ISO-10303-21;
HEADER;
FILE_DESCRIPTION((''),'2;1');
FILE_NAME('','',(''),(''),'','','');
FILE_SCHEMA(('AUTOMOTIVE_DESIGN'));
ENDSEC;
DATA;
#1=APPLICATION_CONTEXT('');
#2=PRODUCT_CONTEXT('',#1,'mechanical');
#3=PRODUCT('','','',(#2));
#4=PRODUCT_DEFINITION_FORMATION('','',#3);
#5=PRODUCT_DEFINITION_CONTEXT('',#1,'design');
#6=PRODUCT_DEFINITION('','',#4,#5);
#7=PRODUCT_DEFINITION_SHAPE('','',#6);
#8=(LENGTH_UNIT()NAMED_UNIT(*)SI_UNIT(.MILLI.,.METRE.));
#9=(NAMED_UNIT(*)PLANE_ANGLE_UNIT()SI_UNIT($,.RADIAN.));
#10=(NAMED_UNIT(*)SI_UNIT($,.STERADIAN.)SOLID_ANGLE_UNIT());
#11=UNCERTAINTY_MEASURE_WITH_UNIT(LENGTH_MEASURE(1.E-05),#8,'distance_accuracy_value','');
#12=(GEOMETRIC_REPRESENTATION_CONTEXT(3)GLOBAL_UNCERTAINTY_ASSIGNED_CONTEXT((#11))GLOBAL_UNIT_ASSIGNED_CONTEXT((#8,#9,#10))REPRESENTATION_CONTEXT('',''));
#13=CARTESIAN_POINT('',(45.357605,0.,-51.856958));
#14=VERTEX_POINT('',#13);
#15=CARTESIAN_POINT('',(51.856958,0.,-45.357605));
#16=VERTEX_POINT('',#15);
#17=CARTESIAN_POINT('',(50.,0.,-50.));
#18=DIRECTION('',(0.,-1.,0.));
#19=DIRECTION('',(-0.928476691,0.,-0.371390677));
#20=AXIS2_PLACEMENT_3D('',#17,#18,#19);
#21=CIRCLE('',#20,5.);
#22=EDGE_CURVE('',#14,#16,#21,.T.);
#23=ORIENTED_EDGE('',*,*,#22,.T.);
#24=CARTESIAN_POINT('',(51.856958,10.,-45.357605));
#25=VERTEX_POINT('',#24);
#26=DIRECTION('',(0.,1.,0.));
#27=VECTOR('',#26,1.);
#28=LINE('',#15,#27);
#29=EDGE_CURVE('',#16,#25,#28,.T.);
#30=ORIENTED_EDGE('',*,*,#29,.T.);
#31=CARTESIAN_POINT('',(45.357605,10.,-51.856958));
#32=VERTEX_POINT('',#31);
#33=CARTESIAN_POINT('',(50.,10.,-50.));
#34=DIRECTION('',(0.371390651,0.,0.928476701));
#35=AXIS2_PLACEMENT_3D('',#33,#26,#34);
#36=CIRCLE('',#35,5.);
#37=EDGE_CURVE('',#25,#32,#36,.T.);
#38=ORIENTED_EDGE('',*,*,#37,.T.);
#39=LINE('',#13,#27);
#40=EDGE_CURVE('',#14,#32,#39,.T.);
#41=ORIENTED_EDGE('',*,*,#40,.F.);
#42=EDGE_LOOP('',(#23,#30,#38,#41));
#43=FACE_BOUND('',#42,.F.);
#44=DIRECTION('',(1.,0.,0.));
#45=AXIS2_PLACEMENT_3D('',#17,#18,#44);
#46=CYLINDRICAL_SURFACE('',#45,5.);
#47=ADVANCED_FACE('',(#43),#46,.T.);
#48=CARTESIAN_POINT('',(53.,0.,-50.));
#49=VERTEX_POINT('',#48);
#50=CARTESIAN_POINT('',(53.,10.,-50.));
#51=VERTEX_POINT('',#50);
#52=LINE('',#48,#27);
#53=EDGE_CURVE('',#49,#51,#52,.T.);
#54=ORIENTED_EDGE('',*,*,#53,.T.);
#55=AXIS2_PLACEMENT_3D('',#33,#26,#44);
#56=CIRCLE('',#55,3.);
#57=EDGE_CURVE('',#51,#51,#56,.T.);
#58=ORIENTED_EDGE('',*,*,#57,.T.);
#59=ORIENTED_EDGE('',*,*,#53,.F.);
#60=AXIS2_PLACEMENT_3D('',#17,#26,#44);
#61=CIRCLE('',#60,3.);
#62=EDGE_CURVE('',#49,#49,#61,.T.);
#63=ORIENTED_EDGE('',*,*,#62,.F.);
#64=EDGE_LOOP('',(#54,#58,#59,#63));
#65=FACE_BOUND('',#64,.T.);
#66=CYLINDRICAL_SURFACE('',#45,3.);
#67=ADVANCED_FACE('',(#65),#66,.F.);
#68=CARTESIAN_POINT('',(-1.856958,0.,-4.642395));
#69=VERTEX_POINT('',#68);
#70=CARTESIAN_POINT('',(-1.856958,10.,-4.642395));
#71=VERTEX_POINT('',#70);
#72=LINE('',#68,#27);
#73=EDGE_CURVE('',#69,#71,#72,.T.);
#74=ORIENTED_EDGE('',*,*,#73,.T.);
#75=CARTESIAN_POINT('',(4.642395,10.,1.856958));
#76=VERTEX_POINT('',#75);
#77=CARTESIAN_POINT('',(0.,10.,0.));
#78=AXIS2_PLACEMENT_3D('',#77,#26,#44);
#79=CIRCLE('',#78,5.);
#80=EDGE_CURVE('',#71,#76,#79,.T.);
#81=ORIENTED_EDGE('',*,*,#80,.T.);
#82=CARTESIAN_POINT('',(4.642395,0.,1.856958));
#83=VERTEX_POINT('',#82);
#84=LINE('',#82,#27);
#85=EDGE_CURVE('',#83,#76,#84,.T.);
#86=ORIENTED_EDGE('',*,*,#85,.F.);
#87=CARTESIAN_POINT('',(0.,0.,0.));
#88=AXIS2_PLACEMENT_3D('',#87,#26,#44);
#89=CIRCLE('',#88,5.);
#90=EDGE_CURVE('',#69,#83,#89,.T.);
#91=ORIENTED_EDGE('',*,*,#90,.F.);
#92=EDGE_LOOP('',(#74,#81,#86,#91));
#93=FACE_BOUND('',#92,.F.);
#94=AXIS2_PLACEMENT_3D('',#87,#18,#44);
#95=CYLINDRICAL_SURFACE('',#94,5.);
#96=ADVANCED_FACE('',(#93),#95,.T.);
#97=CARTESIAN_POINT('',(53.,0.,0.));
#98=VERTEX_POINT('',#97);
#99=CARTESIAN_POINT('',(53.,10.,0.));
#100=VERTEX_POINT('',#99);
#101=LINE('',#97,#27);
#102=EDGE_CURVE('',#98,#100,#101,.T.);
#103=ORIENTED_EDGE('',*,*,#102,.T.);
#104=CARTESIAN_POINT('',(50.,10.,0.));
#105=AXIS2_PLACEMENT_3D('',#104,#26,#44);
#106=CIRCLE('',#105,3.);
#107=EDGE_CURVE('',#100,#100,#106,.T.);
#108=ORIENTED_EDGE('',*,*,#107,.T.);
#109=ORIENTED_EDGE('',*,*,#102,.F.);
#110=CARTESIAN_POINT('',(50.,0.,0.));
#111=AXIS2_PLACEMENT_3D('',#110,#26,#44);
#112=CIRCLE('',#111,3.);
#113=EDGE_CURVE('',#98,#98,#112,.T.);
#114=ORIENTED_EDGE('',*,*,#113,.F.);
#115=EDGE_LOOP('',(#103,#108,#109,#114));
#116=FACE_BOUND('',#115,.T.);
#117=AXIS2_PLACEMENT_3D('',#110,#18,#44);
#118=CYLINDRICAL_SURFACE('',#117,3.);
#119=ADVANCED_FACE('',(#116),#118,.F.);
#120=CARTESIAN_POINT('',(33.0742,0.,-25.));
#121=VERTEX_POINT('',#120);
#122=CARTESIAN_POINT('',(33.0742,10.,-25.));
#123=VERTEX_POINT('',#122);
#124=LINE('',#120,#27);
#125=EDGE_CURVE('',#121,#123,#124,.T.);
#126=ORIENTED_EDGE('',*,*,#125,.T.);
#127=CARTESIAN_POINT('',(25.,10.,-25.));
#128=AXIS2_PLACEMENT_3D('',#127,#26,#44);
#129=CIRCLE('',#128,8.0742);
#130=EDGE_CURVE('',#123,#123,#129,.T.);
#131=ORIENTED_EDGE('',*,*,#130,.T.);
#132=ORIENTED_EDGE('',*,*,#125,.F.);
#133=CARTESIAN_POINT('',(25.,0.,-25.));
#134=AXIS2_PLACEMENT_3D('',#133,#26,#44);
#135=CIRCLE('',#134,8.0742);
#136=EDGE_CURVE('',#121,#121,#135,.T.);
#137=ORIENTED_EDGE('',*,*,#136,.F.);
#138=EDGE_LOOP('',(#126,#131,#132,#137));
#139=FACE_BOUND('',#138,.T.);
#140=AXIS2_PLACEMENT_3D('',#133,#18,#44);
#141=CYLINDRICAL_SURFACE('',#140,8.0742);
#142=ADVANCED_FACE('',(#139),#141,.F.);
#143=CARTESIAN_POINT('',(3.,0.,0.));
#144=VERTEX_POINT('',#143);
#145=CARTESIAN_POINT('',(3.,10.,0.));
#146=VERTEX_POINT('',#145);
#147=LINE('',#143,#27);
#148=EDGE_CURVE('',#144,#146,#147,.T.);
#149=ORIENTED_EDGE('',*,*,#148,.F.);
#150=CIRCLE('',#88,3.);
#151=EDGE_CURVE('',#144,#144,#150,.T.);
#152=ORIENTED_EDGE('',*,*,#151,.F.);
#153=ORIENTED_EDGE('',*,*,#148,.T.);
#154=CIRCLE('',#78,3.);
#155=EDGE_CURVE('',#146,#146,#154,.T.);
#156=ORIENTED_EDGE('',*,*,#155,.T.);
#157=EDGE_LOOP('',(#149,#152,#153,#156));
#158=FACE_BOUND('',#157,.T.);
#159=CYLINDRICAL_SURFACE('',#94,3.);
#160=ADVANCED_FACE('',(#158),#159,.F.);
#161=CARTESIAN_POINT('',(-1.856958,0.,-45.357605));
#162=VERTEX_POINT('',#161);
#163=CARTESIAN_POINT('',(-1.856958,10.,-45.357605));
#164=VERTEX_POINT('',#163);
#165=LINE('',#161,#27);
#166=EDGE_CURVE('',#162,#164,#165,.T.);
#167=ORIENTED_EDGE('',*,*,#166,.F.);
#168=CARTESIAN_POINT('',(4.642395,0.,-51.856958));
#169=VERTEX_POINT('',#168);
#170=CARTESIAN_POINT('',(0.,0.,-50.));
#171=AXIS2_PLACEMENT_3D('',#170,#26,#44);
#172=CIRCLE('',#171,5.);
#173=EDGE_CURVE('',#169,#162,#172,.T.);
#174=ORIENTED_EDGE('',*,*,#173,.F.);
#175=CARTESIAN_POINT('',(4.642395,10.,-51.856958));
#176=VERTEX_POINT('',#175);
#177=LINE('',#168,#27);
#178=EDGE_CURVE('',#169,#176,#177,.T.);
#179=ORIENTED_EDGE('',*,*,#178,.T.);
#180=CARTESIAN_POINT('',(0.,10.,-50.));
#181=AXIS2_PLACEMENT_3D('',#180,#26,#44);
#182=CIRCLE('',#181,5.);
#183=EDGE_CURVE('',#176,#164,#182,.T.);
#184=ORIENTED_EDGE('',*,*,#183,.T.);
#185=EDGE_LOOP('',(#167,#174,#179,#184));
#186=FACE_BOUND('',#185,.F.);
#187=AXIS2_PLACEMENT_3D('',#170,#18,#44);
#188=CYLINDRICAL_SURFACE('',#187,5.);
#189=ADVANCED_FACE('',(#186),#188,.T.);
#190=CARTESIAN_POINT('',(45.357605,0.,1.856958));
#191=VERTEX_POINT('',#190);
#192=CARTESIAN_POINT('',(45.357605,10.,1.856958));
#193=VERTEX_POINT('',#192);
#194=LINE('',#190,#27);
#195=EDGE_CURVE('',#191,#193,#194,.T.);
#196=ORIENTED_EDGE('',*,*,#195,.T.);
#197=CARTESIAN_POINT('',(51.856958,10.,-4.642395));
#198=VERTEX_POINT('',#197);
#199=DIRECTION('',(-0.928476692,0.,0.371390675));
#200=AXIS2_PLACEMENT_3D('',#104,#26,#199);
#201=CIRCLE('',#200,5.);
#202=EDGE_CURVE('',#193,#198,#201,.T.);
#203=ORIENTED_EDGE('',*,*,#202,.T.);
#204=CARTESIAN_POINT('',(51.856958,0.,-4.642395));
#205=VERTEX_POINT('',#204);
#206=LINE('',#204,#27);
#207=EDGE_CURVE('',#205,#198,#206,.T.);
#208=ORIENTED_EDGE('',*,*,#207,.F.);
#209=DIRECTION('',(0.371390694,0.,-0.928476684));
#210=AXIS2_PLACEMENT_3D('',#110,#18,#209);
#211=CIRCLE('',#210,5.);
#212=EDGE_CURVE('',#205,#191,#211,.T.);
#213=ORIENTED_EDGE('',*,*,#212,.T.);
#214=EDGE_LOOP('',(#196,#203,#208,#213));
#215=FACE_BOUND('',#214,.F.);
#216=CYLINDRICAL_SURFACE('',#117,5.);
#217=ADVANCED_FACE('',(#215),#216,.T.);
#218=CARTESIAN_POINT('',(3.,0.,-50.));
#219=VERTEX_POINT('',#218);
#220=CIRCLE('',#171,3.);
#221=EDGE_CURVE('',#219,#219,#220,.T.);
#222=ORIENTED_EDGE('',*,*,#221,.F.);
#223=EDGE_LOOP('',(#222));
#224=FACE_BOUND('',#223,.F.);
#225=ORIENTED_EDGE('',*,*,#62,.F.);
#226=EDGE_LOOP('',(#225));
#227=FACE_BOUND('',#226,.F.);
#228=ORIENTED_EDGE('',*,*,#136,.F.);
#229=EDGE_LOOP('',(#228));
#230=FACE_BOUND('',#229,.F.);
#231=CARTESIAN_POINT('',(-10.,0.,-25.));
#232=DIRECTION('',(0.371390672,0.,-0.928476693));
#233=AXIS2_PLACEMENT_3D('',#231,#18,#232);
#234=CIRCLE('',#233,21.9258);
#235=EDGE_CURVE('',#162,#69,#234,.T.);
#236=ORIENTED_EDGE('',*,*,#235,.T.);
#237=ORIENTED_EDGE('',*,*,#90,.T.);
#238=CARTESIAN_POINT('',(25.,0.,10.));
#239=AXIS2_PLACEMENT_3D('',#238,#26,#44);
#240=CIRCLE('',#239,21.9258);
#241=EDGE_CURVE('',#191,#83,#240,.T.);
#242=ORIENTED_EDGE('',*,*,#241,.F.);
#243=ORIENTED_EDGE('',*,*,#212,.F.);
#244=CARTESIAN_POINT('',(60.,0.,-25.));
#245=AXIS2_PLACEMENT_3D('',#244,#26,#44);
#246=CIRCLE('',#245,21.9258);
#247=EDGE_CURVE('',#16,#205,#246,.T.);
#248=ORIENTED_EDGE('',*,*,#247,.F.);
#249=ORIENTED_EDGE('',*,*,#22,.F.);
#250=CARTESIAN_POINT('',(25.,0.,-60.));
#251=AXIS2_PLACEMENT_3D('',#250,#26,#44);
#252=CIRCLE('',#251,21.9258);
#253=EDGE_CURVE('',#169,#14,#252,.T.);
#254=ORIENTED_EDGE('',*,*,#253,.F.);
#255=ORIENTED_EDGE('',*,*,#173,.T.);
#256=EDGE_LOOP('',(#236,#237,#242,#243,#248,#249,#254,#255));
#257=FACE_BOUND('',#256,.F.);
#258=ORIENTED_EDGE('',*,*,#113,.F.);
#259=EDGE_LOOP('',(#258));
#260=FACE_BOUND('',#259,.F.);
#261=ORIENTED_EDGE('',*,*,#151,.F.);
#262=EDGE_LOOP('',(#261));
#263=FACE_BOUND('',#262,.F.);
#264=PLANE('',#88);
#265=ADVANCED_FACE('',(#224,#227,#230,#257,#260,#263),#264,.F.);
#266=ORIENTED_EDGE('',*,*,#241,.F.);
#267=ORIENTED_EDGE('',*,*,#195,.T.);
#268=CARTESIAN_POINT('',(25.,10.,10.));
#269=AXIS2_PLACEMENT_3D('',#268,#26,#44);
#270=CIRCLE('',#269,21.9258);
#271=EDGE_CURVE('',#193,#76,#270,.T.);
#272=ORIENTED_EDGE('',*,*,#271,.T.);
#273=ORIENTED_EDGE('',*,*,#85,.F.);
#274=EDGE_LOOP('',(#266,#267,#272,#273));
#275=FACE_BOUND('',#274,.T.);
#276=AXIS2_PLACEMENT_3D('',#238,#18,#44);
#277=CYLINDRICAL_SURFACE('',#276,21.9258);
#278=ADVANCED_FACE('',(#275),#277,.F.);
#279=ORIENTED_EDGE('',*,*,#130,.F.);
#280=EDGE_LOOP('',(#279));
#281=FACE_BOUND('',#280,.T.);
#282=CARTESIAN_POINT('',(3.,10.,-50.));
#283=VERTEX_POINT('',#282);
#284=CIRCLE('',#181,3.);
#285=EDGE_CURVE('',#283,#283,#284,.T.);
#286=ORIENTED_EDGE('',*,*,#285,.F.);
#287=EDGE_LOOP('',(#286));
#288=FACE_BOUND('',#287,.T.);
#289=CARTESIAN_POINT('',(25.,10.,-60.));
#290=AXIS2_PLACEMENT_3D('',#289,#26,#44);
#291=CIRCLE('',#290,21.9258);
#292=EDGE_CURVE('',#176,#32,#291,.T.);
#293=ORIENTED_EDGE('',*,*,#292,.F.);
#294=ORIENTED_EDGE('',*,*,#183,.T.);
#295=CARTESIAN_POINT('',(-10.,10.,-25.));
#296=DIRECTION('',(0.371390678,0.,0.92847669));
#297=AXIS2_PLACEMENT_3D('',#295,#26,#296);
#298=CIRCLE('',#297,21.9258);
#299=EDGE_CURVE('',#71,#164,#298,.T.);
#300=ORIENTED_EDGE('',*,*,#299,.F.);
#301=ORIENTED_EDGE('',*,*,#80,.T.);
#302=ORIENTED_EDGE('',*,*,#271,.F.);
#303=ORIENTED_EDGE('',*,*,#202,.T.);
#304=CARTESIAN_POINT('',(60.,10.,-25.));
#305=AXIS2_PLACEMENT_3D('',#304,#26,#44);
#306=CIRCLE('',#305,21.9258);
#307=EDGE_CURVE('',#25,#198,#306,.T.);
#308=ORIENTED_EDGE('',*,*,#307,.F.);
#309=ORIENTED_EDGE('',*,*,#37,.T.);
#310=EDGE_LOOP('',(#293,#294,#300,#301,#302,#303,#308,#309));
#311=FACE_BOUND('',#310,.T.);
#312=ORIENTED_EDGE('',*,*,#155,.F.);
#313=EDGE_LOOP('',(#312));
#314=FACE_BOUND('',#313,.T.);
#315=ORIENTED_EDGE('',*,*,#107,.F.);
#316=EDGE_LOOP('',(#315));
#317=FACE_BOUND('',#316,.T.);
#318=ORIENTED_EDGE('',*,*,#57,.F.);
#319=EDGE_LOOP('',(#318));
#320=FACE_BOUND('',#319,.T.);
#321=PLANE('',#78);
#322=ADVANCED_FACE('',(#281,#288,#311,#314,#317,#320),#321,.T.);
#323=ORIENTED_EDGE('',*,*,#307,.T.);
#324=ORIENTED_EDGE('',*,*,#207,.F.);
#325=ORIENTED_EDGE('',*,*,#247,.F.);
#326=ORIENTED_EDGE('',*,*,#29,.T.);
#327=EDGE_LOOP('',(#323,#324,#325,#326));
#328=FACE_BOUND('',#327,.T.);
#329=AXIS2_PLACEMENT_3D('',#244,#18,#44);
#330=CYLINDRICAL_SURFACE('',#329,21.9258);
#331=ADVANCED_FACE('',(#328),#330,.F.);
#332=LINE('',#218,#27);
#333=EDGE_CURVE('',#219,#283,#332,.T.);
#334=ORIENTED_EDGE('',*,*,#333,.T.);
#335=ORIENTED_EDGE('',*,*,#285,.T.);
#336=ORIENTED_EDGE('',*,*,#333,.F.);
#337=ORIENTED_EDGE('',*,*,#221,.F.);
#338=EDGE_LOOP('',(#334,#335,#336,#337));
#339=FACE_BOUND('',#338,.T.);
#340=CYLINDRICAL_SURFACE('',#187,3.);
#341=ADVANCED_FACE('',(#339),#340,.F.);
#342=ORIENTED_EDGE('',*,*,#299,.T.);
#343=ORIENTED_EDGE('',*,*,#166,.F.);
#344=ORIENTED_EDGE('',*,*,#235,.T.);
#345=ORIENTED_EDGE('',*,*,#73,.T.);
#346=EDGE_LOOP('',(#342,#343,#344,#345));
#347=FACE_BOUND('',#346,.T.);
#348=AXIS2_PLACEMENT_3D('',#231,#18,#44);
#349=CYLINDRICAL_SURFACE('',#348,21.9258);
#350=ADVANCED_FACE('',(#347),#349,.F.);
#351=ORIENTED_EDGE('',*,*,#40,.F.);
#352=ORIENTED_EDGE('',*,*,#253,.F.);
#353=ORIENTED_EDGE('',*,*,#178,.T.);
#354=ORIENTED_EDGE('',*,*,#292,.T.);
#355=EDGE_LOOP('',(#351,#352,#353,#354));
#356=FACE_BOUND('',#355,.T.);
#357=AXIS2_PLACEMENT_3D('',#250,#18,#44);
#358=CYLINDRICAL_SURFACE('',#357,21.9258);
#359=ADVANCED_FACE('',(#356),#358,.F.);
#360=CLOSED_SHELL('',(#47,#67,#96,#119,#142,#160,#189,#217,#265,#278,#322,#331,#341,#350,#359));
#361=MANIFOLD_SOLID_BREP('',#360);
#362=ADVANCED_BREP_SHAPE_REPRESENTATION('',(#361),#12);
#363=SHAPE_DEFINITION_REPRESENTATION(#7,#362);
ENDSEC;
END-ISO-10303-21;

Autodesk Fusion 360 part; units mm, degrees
sketch "Sketch1" plane through (0, 0, 0) normal (0, 1, 0) x (1, 0, 0)
  circle A0 centre (0, 0) radius 3
  circle A1 centre (0, 0) radius 5
  circle A2 centre (50, 0) radius 5
  circle A3 centre (50, 0) radius 3
  circle A4 centre (0, 50) radius 5
  circle A5 centre (0, 50) radius 3
  circle A6 centre (50, 50) radius 5
  circle A7 centre (50, 50) radius 3
  line L0 (0, 0) -> (0, 50) construction
  line L1 (0, 50) -> (50, 50) construction
  line L2 (50, 50) -> (50, 0) construction
  line L3 (50, 0) -> (0, 0) construction
  line L4 (50, 25) -> (25, 25) construction
  line L5 (25, 25) -> (25, 0) construction
  line L6 (50, 25) -> (60, 25) construction
  circle A8 centre (60, 25) radius 21.9258
  circle A9 centre (25, 60) radius 21.9258
  circle A10 centre (-10, 25) radius 21.9258
  circle A11 centre (25, -10) radius 21.9258
  circle A12 centre (25, 25) radius 13.0742 construction
  circle A13 centre (25, 25) radius 8.0742
  dimension "d1" = 6
  dimension "d2" = 10
  dimension "d5" = 50
  dimension "d6" = 50
  dimension "d7" = 10
  dimension "d9" = 360
  dimension "d10" = 5
extrude "Extrude1" add sketch "Sketch1" along normal blind 10 contours A1 | A1 A2 A4 A6 A8 A9 A10 A11 | A4 | A2 | A6
